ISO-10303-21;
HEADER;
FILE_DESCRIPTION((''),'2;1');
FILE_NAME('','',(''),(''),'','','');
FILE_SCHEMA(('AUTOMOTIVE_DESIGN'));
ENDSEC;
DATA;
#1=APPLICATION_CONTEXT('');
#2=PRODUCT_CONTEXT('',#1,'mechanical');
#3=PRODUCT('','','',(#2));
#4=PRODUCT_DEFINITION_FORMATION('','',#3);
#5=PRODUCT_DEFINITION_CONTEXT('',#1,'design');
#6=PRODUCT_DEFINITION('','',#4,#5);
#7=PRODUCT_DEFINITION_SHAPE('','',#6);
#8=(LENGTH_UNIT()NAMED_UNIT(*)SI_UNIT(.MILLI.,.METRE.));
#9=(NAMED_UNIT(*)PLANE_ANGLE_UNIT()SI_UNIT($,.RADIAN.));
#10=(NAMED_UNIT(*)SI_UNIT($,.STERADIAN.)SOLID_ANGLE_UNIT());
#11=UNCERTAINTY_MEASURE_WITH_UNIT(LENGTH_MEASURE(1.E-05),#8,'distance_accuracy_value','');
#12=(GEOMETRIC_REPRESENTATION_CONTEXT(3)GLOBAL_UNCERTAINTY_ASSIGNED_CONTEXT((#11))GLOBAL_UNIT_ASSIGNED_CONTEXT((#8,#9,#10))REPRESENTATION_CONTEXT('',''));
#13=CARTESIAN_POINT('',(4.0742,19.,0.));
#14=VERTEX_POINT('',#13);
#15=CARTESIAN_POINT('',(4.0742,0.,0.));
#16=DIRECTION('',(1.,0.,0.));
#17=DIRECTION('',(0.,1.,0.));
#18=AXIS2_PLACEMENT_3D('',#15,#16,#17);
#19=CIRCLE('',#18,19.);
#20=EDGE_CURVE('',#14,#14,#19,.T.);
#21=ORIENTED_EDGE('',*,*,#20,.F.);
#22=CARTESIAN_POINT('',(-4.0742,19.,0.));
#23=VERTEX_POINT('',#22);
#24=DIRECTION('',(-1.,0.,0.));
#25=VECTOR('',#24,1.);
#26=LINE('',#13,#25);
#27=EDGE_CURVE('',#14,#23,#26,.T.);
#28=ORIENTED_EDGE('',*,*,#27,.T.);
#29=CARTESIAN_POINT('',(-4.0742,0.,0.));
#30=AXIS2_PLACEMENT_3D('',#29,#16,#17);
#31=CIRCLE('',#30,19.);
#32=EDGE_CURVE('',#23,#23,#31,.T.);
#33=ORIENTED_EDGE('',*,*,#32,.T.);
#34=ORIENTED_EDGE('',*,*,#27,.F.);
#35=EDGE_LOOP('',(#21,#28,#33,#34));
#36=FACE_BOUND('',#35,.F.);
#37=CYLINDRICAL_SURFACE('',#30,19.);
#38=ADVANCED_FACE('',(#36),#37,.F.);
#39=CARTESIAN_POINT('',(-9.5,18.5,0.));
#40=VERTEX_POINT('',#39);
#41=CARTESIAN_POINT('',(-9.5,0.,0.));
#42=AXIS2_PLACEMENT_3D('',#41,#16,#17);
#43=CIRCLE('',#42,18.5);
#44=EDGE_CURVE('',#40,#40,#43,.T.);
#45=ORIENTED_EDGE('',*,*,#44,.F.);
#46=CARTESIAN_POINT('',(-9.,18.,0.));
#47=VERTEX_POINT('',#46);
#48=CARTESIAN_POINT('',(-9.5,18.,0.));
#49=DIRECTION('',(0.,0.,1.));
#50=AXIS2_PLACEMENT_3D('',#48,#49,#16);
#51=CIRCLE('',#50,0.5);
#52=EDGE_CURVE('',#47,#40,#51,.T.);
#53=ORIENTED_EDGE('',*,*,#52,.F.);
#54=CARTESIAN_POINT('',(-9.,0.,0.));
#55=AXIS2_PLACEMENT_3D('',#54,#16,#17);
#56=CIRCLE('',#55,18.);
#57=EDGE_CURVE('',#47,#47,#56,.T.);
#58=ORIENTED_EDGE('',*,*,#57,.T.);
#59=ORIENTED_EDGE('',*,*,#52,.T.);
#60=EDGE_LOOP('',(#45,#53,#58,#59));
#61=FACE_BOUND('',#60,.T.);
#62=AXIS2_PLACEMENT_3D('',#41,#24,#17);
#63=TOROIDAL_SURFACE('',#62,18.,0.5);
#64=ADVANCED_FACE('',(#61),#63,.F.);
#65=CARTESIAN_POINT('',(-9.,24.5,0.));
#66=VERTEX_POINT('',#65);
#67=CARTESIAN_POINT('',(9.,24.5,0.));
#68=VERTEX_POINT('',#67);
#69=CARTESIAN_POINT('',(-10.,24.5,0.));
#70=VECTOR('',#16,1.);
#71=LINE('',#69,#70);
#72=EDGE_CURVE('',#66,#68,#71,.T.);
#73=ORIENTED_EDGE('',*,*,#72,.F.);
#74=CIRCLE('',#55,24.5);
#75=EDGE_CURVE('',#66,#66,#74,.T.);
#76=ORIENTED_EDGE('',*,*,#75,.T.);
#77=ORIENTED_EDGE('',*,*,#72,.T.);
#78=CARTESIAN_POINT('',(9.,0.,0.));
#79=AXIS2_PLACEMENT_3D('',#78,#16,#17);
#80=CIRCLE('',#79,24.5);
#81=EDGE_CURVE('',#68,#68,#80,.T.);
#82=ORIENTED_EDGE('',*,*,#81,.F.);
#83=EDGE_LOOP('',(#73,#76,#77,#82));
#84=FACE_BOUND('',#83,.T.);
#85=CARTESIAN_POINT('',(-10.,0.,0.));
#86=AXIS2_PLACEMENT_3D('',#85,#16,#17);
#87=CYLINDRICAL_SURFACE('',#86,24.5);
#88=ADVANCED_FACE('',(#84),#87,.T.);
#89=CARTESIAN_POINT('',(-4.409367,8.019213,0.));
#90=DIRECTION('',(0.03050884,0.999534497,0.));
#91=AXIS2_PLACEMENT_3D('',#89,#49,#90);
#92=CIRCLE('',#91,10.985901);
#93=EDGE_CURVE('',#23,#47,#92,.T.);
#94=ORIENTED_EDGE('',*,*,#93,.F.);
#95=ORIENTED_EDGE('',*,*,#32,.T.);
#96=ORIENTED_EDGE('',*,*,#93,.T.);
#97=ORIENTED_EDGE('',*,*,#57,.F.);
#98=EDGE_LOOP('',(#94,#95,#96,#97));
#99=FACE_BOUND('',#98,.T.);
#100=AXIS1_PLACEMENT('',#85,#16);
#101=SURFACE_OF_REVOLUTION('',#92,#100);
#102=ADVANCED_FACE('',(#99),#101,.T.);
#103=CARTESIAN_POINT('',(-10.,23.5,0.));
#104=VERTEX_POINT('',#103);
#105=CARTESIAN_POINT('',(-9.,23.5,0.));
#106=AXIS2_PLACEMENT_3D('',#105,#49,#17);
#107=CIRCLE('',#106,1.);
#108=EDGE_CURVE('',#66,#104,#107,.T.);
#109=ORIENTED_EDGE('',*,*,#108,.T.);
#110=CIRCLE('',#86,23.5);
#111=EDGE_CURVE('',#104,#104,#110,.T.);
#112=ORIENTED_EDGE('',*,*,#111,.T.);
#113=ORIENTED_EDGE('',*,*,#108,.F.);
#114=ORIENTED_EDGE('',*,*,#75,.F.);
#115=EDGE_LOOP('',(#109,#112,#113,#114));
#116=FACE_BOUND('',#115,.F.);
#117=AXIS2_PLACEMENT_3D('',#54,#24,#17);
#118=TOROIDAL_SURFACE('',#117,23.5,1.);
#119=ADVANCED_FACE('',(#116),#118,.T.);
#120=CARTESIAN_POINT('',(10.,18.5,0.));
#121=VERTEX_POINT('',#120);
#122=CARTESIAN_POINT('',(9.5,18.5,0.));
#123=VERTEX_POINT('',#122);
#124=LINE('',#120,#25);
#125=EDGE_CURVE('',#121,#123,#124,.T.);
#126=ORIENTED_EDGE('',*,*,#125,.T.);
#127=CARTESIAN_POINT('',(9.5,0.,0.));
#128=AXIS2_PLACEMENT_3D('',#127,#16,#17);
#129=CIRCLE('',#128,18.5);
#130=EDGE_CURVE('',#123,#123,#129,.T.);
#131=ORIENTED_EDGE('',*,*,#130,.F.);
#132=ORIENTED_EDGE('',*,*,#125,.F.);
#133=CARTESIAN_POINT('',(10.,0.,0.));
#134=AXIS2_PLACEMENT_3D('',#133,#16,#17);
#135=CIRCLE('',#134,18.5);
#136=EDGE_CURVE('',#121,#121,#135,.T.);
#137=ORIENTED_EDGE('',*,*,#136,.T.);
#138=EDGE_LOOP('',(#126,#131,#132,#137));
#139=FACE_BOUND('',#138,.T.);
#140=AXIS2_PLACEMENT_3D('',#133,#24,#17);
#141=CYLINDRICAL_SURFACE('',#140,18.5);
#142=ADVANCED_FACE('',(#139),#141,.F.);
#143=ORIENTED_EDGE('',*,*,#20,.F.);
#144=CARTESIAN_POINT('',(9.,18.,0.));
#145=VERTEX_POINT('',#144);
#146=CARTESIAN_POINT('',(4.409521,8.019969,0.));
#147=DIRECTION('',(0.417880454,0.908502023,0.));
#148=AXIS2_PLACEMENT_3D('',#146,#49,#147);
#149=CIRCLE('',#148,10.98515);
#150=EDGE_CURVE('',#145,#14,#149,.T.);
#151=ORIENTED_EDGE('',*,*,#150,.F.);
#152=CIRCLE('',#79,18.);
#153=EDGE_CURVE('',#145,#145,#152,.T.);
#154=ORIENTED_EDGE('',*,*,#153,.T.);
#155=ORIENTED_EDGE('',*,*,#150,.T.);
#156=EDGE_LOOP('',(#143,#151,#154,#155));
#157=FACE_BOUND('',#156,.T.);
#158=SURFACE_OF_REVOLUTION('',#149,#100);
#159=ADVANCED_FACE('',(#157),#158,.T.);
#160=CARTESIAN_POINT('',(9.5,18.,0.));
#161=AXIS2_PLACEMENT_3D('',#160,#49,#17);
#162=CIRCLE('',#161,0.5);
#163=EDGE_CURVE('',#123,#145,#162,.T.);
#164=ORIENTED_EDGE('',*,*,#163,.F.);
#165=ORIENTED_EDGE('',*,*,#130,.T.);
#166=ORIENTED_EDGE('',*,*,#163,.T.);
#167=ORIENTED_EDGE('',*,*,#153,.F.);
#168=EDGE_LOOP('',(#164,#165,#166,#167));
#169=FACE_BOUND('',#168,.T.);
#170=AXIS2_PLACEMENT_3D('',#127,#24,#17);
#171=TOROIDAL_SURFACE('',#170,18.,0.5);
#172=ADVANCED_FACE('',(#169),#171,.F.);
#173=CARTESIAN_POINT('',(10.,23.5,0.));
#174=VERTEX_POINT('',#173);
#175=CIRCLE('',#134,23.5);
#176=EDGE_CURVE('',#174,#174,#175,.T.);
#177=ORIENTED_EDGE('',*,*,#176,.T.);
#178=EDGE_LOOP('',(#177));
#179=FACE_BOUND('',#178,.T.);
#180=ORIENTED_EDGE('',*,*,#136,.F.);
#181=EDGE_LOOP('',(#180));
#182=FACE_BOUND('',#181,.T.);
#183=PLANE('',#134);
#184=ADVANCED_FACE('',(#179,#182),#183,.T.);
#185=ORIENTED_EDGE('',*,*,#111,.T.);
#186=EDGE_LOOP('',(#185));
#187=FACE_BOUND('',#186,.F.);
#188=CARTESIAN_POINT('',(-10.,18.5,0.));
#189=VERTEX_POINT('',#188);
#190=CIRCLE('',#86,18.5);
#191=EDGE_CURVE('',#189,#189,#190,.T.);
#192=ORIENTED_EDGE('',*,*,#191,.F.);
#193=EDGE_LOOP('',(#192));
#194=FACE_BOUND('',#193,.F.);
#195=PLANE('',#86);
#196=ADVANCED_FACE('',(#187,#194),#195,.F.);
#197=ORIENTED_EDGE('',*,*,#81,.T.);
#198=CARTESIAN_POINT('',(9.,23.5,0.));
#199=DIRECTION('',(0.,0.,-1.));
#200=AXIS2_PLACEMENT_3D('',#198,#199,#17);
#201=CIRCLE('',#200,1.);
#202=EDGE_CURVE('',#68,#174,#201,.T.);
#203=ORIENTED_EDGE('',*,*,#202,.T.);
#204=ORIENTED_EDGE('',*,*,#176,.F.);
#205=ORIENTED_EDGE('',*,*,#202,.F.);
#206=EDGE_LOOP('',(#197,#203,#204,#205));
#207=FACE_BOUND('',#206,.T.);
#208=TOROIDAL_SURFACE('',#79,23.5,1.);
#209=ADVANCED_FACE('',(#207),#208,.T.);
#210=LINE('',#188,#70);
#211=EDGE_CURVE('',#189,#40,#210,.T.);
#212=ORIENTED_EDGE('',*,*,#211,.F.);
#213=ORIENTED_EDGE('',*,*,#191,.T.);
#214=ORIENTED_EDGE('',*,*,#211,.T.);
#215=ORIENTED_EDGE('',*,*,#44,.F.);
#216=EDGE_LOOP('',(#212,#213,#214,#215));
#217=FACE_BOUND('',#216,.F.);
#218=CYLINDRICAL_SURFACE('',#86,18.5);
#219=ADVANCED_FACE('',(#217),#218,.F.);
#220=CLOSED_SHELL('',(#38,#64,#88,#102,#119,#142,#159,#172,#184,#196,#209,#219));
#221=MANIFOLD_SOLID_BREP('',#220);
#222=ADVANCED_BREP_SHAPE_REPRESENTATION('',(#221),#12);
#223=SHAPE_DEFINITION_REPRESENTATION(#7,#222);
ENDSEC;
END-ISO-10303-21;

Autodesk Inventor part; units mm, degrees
ref_plane "YZ Plane" through (0, 0, 0) normal (1, 0, 0) x (0, 1, 0)
ref_plane "XZ Plane" through (0, 0, 0) normal (0, 1, 0) x (-1, 0, 0)
ref_plane "XY Plane" through (0, 0, 0) normal (0, 0, 1) x (1, 0, 0)
sketch "草图1" plane through (0, 0, 0) normal (0, 0, 1) x (1, 0, 0)
  line L0 (-10, 24.5) -> (10, 24.5)
  line L1 (-14, 0) -> (14, 0) projected
  line L2 (0, -4.9) -> (0, 29.4) projected
  line L3 (-10, 24.5) -> (-10, 18.5)
  line L4 (-10, 18.5) -> (-9.5, 18.5)
  arc A0 (-9, 18) -> (-9.5, 18.5) centre (-9.5, 18) ccw
  line L5 (-9.5, 18) -> (-7.8897, 18) construction
  arc A1 (-4.0742, 19) -> (-9, 18) centre (-4.4094, 8.0196) ccw
  line L6 (10, 24.5) -> (10, 18.5)
  line L7 (10, 18.5) -> (9.5, 18.5)
  arc A2 (9.5, 18.5) -> (9, 18) centre (9.5, 18) ccw
  arc A3 (9, 18) -> (4.0742, 19) centre (4.4094, 8.0196) ccw
  line L8 (-4.0742, 19) -> (4.0742, 19)
  point P0 (0, 0)
  dimension "d0" = 20
  dimension "d1" = 0.5
  dimension "d2" = 6
  dimension "d3" = 1
  dimension "d4" = 24.5
  dimension "d7" = 10.9856
  dimension "d8" = 8.1484
  dimension "d11" = 19
  dimension "d12" = 18
revolve "旋转1" add sketch "草图1" angle 360 about axis through (-10, 0, 0) along (1, 0, 0)
fillet "圆角1" radius 1 2 edges at (-10, -24.5, 0) (10, -24.5, 0)
properties part number "橡胶外轮设计" material "橡胶"
